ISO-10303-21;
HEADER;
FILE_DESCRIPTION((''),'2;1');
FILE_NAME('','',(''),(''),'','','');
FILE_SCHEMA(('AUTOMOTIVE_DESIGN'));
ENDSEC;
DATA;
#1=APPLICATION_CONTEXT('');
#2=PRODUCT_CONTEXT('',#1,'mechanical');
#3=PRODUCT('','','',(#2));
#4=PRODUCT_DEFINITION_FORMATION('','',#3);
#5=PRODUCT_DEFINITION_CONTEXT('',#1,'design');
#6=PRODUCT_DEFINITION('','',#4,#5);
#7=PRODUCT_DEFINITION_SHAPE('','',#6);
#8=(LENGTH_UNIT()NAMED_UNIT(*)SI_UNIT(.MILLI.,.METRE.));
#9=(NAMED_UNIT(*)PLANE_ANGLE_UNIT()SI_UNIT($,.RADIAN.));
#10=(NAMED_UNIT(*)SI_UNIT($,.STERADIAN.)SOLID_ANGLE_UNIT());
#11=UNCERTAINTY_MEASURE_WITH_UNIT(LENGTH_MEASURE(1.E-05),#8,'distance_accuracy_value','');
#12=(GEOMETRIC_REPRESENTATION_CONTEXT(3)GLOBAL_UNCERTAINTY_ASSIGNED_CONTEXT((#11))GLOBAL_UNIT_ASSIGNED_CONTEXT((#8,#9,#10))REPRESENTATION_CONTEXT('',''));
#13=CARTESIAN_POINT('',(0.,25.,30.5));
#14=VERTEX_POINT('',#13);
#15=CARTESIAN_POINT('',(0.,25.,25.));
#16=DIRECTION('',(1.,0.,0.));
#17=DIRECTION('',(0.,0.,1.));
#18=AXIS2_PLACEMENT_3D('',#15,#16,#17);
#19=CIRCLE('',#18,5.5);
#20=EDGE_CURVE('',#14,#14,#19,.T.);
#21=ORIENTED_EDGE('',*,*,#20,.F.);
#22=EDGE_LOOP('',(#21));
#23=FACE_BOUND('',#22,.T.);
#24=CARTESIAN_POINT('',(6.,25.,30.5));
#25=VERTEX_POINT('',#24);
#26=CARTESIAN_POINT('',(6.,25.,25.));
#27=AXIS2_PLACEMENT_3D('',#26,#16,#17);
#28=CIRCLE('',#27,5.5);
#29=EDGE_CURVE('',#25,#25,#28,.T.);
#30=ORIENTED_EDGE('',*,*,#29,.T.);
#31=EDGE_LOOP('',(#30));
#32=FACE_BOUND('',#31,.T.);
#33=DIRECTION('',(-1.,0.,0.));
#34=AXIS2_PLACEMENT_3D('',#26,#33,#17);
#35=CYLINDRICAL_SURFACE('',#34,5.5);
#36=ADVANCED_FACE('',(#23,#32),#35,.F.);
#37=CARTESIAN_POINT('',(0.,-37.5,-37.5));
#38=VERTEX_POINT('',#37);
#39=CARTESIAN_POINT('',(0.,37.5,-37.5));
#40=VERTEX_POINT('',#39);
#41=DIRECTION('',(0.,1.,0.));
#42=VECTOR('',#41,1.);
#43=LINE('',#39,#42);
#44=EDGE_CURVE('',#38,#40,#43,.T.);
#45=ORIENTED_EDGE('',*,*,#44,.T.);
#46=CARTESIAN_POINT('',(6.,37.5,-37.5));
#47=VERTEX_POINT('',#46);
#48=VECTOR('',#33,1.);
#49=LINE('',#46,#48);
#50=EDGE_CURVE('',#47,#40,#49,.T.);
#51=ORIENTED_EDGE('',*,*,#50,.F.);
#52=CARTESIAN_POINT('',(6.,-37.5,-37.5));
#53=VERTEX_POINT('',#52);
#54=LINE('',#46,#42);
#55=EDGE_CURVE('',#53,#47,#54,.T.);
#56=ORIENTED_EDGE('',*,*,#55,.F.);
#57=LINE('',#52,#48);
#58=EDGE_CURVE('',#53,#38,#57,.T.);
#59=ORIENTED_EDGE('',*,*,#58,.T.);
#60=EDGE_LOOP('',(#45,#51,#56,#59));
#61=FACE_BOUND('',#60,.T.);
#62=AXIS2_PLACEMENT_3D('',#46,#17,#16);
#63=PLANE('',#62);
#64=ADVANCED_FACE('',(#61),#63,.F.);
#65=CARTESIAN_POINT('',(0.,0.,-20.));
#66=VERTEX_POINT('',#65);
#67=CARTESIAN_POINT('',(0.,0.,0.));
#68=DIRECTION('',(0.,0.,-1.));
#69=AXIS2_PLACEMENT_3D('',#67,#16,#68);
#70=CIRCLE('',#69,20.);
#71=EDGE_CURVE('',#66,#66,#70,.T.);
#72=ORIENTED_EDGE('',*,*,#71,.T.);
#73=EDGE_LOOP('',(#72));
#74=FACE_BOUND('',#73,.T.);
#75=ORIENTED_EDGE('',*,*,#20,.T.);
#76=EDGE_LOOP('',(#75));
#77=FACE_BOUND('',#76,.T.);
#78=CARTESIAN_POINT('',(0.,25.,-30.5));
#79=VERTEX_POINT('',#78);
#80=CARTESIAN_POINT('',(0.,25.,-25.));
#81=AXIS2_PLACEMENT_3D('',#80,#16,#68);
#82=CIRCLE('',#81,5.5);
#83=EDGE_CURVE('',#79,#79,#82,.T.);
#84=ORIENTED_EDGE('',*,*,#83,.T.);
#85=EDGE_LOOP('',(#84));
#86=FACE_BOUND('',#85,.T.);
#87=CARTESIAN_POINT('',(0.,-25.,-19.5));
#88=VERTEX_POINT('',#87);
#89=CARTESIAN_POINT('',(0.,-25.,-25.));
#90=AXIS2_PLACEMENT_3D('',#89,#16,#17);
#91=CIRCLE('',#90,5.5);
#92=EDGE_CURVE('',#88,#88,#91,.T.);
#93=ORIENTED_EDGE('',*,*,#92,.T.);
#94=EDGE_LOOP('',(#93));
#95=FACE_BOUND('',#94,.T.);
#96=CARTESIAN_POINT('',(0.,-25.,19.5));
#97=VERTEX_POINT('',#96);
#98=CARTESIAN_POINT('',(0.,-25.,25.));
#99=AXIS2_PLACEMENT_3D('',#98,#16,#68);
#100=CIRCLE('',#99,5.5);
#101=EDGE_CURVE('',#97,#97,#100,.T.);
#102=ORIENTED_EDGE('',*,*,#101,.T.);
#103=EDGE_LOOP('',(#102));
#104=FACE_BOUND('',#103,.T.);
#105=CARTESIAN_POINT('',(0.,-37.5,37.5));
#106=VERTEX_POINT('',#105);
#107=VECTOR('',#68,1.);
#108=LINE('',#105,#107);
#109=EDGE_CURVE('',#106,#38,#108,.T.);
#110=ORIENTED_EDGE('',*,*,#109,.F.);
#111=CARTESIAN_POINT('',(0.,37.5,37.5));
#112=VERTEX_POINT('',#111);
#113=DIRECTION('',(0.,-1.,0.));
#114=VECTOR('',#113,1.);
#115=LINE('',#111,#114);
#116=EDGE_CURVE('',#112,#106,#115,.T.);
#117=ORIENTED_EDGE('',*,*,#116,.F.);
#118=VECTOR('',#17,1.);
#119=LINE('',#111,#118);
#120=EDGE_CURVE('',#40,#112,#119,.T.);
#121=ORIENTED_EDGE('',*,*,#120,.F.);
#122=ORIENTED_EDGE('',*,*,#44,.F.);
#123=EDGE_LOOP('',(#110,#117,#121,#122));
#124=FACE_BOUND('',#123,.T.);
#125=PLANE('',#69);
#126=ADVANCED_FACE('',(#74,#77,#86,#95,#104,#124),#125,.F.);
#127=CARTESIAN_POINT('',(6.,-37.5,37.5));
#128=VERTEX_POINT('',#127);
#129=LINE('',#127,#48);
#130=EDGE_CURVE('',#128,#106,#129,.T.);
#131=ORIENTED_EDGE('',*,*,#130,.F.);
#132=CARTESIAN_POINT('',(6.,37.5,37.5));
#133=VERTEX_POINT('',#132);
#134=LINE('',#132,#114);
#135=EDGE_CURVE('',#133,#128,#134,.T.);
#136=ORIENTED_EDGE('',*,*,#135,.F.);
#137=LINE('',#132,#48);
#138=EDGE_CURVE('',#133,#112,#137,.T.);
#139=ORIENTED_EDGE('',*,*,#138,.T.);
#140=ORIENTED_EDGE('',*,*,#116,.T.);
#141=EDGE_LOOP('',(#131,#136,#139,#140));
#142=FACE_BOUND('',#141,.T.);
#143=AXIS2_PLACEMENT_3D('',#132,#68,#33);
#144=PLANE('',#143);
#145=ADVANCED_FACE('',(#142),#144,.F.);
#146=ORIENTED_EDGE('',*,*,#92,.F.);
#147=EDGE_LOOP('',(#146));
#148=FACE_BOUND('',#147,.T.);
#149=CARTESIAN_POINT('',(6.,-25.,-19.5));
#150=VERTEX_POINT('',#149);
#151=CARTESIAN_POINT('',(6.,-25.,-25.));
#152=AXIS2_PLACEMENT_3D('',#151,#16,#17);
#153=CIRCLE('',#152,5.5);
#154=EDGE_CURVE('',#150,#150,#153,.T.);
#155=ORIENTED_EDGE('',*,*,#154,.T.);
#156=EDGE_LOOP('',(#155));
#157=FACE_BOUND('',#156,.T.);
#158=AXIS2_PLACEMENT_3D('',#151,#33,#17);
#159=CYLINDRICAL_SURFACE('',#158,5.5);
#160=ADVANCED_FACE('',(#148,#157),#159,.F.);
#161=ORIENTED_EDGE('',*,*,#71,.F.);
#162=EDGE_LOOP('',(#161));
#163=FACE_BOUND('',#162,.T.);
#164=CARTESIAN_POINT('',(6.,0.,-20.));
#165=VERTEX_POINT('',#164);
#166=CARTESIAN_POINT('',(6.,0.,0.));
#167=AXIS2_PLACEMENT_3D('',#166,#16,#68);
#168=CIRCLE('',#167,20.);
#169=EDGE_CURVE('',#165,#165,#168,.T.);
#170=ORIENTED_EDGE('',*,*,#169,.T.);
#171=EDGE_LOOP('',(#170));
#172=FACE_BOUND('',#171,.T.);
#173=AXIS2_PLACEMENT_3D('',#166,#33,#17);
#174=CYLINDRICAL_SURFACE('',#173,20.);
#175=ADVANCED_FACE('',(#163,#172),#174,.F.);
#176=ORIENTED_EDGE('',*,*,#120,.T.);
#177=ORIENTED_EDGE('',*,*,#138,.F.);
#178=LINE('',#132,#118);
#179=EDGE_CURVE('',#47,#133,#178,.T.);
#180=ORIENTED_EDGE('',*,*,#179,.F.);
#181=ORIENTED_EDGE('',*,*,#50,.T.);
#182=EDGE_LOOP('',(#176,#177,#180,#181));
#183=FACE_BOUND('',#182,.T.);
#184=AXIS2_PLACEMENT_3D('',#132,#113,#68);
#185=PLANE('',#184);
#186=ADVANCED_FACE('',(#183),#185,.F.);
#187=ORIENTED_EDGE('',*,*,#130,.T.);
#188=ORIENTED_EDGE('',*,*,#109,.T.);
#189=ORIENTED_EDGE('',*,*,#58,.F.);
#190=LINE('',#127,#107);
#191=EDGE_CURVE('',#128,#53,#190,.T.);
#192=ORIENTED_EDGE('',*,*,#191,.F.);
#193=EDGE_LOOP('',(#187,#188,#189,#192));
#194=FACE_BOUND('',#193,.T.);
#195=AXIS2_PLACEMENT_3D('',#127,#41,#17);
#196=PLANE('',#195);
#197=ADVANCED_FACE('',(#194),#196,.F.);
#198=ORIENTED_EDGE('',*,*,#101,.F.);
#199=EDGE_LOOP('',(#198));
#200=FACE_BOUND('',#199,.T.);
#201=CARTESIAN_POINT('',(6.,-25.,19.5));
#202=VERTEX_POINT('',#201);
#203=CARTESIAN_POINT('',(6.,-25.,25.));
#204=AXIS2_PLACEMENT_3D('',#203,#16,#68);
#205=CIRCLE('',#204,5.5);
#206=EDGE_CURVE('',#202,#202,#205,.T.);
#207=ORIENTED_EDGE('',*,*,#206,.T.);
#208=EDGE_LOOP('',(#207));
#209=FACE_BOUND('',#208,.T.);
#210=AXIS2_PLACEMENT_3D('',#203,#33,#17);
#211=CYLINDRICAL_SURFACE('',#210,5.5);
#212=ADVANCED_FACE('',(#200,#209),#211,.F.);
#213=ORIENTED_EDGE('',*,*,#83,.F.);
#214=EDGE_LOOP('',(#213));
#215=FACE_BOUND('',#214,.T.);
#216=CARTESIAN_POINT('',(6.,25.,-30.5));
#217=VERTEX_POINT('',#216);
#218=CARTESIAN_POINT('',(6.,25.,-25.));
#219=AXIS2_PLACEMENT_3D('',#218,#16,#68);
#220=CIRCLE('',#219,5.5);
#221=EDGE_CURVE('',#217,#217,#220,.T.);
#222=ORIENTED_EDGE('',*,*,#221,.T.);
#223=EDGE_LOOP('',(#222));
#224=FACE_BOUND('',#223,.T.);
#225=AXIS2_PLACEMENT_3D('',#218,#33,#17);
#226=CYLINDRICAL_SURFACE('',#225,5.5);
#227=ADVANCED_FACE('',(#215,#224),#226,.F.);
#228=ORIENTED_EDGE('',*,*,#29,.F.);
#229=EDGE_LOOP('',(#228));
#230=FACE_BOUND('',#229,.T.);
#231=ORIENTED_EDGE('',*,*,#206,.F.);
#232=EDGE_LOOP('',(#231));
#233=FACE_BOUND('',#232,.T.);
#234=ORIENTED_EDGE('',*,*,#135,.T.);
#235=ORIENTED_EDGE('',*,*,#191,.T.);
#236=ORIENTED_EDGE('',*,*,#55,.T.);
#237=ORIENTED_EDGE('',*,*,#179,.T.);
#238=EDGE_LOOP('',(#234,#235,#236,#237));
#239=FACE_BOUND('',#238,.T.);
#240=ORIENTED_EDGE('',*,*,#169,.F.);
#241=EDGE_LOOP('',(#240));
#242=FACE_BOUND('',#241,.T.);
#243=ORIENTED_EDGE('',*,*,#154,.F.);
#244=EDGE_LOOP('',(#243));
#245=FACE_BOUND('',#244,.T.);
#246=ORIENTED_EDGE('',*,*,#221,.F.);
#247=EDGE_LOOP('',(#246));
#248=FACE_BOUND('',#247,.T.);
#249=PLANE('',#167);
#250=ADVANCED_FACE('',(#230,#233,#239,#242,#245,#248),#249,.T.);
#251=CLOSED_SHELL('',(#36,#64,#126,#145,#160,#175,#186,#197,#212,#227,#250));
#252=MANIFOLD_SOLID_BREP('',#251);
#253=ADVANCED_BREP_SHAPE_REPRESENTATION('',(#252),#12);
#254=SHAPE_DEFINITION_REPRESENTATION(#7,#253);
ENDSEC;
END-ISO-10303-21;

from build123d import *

# Parameters (mm, degrees)
SKETCH1_W           = 75
SKETCH1_H           = 75
SKETCH1_R           = 5.5
SKETCH1_R_2         = 20
BOSS_EXTRUDE1_DEPTH = 6


with BuildPart() as part:
    # Sketch1 → Boss-Extrude1 (new body)
    with BuildSketch(Plane(origin=(0, 0, 0), x_dir=(0, 0, -1), z_dir=(1, 0, 0))):
        Rectangle(SKETCH1_W, SKETCH1_H)
        with Locations((25, 25)):
            Circle(SKETCH1_R, mode=Mode.SUBTRACT)
        with Locations(Location((-25, 25, 0), (0, 0, 180))):
            Circle(SKETCH1_R, mode=Mode.SUBTRACT)
        with Locations(Location((25, -25, 0), (0, 0, 180))):
            Circle(SKETCH1_R, mode=Mode.SUBTRACT)
        with Locations((-25, -25)):
            Circle(SKETCH1_R, mode=Mode.SUBTRACT)
        Circle(SKETCH1_R_2, mode=Mode.SUBTRACT)
    extrude(amount=BOSS_EXTRUDE1_DEPTH)


solid = part.part
